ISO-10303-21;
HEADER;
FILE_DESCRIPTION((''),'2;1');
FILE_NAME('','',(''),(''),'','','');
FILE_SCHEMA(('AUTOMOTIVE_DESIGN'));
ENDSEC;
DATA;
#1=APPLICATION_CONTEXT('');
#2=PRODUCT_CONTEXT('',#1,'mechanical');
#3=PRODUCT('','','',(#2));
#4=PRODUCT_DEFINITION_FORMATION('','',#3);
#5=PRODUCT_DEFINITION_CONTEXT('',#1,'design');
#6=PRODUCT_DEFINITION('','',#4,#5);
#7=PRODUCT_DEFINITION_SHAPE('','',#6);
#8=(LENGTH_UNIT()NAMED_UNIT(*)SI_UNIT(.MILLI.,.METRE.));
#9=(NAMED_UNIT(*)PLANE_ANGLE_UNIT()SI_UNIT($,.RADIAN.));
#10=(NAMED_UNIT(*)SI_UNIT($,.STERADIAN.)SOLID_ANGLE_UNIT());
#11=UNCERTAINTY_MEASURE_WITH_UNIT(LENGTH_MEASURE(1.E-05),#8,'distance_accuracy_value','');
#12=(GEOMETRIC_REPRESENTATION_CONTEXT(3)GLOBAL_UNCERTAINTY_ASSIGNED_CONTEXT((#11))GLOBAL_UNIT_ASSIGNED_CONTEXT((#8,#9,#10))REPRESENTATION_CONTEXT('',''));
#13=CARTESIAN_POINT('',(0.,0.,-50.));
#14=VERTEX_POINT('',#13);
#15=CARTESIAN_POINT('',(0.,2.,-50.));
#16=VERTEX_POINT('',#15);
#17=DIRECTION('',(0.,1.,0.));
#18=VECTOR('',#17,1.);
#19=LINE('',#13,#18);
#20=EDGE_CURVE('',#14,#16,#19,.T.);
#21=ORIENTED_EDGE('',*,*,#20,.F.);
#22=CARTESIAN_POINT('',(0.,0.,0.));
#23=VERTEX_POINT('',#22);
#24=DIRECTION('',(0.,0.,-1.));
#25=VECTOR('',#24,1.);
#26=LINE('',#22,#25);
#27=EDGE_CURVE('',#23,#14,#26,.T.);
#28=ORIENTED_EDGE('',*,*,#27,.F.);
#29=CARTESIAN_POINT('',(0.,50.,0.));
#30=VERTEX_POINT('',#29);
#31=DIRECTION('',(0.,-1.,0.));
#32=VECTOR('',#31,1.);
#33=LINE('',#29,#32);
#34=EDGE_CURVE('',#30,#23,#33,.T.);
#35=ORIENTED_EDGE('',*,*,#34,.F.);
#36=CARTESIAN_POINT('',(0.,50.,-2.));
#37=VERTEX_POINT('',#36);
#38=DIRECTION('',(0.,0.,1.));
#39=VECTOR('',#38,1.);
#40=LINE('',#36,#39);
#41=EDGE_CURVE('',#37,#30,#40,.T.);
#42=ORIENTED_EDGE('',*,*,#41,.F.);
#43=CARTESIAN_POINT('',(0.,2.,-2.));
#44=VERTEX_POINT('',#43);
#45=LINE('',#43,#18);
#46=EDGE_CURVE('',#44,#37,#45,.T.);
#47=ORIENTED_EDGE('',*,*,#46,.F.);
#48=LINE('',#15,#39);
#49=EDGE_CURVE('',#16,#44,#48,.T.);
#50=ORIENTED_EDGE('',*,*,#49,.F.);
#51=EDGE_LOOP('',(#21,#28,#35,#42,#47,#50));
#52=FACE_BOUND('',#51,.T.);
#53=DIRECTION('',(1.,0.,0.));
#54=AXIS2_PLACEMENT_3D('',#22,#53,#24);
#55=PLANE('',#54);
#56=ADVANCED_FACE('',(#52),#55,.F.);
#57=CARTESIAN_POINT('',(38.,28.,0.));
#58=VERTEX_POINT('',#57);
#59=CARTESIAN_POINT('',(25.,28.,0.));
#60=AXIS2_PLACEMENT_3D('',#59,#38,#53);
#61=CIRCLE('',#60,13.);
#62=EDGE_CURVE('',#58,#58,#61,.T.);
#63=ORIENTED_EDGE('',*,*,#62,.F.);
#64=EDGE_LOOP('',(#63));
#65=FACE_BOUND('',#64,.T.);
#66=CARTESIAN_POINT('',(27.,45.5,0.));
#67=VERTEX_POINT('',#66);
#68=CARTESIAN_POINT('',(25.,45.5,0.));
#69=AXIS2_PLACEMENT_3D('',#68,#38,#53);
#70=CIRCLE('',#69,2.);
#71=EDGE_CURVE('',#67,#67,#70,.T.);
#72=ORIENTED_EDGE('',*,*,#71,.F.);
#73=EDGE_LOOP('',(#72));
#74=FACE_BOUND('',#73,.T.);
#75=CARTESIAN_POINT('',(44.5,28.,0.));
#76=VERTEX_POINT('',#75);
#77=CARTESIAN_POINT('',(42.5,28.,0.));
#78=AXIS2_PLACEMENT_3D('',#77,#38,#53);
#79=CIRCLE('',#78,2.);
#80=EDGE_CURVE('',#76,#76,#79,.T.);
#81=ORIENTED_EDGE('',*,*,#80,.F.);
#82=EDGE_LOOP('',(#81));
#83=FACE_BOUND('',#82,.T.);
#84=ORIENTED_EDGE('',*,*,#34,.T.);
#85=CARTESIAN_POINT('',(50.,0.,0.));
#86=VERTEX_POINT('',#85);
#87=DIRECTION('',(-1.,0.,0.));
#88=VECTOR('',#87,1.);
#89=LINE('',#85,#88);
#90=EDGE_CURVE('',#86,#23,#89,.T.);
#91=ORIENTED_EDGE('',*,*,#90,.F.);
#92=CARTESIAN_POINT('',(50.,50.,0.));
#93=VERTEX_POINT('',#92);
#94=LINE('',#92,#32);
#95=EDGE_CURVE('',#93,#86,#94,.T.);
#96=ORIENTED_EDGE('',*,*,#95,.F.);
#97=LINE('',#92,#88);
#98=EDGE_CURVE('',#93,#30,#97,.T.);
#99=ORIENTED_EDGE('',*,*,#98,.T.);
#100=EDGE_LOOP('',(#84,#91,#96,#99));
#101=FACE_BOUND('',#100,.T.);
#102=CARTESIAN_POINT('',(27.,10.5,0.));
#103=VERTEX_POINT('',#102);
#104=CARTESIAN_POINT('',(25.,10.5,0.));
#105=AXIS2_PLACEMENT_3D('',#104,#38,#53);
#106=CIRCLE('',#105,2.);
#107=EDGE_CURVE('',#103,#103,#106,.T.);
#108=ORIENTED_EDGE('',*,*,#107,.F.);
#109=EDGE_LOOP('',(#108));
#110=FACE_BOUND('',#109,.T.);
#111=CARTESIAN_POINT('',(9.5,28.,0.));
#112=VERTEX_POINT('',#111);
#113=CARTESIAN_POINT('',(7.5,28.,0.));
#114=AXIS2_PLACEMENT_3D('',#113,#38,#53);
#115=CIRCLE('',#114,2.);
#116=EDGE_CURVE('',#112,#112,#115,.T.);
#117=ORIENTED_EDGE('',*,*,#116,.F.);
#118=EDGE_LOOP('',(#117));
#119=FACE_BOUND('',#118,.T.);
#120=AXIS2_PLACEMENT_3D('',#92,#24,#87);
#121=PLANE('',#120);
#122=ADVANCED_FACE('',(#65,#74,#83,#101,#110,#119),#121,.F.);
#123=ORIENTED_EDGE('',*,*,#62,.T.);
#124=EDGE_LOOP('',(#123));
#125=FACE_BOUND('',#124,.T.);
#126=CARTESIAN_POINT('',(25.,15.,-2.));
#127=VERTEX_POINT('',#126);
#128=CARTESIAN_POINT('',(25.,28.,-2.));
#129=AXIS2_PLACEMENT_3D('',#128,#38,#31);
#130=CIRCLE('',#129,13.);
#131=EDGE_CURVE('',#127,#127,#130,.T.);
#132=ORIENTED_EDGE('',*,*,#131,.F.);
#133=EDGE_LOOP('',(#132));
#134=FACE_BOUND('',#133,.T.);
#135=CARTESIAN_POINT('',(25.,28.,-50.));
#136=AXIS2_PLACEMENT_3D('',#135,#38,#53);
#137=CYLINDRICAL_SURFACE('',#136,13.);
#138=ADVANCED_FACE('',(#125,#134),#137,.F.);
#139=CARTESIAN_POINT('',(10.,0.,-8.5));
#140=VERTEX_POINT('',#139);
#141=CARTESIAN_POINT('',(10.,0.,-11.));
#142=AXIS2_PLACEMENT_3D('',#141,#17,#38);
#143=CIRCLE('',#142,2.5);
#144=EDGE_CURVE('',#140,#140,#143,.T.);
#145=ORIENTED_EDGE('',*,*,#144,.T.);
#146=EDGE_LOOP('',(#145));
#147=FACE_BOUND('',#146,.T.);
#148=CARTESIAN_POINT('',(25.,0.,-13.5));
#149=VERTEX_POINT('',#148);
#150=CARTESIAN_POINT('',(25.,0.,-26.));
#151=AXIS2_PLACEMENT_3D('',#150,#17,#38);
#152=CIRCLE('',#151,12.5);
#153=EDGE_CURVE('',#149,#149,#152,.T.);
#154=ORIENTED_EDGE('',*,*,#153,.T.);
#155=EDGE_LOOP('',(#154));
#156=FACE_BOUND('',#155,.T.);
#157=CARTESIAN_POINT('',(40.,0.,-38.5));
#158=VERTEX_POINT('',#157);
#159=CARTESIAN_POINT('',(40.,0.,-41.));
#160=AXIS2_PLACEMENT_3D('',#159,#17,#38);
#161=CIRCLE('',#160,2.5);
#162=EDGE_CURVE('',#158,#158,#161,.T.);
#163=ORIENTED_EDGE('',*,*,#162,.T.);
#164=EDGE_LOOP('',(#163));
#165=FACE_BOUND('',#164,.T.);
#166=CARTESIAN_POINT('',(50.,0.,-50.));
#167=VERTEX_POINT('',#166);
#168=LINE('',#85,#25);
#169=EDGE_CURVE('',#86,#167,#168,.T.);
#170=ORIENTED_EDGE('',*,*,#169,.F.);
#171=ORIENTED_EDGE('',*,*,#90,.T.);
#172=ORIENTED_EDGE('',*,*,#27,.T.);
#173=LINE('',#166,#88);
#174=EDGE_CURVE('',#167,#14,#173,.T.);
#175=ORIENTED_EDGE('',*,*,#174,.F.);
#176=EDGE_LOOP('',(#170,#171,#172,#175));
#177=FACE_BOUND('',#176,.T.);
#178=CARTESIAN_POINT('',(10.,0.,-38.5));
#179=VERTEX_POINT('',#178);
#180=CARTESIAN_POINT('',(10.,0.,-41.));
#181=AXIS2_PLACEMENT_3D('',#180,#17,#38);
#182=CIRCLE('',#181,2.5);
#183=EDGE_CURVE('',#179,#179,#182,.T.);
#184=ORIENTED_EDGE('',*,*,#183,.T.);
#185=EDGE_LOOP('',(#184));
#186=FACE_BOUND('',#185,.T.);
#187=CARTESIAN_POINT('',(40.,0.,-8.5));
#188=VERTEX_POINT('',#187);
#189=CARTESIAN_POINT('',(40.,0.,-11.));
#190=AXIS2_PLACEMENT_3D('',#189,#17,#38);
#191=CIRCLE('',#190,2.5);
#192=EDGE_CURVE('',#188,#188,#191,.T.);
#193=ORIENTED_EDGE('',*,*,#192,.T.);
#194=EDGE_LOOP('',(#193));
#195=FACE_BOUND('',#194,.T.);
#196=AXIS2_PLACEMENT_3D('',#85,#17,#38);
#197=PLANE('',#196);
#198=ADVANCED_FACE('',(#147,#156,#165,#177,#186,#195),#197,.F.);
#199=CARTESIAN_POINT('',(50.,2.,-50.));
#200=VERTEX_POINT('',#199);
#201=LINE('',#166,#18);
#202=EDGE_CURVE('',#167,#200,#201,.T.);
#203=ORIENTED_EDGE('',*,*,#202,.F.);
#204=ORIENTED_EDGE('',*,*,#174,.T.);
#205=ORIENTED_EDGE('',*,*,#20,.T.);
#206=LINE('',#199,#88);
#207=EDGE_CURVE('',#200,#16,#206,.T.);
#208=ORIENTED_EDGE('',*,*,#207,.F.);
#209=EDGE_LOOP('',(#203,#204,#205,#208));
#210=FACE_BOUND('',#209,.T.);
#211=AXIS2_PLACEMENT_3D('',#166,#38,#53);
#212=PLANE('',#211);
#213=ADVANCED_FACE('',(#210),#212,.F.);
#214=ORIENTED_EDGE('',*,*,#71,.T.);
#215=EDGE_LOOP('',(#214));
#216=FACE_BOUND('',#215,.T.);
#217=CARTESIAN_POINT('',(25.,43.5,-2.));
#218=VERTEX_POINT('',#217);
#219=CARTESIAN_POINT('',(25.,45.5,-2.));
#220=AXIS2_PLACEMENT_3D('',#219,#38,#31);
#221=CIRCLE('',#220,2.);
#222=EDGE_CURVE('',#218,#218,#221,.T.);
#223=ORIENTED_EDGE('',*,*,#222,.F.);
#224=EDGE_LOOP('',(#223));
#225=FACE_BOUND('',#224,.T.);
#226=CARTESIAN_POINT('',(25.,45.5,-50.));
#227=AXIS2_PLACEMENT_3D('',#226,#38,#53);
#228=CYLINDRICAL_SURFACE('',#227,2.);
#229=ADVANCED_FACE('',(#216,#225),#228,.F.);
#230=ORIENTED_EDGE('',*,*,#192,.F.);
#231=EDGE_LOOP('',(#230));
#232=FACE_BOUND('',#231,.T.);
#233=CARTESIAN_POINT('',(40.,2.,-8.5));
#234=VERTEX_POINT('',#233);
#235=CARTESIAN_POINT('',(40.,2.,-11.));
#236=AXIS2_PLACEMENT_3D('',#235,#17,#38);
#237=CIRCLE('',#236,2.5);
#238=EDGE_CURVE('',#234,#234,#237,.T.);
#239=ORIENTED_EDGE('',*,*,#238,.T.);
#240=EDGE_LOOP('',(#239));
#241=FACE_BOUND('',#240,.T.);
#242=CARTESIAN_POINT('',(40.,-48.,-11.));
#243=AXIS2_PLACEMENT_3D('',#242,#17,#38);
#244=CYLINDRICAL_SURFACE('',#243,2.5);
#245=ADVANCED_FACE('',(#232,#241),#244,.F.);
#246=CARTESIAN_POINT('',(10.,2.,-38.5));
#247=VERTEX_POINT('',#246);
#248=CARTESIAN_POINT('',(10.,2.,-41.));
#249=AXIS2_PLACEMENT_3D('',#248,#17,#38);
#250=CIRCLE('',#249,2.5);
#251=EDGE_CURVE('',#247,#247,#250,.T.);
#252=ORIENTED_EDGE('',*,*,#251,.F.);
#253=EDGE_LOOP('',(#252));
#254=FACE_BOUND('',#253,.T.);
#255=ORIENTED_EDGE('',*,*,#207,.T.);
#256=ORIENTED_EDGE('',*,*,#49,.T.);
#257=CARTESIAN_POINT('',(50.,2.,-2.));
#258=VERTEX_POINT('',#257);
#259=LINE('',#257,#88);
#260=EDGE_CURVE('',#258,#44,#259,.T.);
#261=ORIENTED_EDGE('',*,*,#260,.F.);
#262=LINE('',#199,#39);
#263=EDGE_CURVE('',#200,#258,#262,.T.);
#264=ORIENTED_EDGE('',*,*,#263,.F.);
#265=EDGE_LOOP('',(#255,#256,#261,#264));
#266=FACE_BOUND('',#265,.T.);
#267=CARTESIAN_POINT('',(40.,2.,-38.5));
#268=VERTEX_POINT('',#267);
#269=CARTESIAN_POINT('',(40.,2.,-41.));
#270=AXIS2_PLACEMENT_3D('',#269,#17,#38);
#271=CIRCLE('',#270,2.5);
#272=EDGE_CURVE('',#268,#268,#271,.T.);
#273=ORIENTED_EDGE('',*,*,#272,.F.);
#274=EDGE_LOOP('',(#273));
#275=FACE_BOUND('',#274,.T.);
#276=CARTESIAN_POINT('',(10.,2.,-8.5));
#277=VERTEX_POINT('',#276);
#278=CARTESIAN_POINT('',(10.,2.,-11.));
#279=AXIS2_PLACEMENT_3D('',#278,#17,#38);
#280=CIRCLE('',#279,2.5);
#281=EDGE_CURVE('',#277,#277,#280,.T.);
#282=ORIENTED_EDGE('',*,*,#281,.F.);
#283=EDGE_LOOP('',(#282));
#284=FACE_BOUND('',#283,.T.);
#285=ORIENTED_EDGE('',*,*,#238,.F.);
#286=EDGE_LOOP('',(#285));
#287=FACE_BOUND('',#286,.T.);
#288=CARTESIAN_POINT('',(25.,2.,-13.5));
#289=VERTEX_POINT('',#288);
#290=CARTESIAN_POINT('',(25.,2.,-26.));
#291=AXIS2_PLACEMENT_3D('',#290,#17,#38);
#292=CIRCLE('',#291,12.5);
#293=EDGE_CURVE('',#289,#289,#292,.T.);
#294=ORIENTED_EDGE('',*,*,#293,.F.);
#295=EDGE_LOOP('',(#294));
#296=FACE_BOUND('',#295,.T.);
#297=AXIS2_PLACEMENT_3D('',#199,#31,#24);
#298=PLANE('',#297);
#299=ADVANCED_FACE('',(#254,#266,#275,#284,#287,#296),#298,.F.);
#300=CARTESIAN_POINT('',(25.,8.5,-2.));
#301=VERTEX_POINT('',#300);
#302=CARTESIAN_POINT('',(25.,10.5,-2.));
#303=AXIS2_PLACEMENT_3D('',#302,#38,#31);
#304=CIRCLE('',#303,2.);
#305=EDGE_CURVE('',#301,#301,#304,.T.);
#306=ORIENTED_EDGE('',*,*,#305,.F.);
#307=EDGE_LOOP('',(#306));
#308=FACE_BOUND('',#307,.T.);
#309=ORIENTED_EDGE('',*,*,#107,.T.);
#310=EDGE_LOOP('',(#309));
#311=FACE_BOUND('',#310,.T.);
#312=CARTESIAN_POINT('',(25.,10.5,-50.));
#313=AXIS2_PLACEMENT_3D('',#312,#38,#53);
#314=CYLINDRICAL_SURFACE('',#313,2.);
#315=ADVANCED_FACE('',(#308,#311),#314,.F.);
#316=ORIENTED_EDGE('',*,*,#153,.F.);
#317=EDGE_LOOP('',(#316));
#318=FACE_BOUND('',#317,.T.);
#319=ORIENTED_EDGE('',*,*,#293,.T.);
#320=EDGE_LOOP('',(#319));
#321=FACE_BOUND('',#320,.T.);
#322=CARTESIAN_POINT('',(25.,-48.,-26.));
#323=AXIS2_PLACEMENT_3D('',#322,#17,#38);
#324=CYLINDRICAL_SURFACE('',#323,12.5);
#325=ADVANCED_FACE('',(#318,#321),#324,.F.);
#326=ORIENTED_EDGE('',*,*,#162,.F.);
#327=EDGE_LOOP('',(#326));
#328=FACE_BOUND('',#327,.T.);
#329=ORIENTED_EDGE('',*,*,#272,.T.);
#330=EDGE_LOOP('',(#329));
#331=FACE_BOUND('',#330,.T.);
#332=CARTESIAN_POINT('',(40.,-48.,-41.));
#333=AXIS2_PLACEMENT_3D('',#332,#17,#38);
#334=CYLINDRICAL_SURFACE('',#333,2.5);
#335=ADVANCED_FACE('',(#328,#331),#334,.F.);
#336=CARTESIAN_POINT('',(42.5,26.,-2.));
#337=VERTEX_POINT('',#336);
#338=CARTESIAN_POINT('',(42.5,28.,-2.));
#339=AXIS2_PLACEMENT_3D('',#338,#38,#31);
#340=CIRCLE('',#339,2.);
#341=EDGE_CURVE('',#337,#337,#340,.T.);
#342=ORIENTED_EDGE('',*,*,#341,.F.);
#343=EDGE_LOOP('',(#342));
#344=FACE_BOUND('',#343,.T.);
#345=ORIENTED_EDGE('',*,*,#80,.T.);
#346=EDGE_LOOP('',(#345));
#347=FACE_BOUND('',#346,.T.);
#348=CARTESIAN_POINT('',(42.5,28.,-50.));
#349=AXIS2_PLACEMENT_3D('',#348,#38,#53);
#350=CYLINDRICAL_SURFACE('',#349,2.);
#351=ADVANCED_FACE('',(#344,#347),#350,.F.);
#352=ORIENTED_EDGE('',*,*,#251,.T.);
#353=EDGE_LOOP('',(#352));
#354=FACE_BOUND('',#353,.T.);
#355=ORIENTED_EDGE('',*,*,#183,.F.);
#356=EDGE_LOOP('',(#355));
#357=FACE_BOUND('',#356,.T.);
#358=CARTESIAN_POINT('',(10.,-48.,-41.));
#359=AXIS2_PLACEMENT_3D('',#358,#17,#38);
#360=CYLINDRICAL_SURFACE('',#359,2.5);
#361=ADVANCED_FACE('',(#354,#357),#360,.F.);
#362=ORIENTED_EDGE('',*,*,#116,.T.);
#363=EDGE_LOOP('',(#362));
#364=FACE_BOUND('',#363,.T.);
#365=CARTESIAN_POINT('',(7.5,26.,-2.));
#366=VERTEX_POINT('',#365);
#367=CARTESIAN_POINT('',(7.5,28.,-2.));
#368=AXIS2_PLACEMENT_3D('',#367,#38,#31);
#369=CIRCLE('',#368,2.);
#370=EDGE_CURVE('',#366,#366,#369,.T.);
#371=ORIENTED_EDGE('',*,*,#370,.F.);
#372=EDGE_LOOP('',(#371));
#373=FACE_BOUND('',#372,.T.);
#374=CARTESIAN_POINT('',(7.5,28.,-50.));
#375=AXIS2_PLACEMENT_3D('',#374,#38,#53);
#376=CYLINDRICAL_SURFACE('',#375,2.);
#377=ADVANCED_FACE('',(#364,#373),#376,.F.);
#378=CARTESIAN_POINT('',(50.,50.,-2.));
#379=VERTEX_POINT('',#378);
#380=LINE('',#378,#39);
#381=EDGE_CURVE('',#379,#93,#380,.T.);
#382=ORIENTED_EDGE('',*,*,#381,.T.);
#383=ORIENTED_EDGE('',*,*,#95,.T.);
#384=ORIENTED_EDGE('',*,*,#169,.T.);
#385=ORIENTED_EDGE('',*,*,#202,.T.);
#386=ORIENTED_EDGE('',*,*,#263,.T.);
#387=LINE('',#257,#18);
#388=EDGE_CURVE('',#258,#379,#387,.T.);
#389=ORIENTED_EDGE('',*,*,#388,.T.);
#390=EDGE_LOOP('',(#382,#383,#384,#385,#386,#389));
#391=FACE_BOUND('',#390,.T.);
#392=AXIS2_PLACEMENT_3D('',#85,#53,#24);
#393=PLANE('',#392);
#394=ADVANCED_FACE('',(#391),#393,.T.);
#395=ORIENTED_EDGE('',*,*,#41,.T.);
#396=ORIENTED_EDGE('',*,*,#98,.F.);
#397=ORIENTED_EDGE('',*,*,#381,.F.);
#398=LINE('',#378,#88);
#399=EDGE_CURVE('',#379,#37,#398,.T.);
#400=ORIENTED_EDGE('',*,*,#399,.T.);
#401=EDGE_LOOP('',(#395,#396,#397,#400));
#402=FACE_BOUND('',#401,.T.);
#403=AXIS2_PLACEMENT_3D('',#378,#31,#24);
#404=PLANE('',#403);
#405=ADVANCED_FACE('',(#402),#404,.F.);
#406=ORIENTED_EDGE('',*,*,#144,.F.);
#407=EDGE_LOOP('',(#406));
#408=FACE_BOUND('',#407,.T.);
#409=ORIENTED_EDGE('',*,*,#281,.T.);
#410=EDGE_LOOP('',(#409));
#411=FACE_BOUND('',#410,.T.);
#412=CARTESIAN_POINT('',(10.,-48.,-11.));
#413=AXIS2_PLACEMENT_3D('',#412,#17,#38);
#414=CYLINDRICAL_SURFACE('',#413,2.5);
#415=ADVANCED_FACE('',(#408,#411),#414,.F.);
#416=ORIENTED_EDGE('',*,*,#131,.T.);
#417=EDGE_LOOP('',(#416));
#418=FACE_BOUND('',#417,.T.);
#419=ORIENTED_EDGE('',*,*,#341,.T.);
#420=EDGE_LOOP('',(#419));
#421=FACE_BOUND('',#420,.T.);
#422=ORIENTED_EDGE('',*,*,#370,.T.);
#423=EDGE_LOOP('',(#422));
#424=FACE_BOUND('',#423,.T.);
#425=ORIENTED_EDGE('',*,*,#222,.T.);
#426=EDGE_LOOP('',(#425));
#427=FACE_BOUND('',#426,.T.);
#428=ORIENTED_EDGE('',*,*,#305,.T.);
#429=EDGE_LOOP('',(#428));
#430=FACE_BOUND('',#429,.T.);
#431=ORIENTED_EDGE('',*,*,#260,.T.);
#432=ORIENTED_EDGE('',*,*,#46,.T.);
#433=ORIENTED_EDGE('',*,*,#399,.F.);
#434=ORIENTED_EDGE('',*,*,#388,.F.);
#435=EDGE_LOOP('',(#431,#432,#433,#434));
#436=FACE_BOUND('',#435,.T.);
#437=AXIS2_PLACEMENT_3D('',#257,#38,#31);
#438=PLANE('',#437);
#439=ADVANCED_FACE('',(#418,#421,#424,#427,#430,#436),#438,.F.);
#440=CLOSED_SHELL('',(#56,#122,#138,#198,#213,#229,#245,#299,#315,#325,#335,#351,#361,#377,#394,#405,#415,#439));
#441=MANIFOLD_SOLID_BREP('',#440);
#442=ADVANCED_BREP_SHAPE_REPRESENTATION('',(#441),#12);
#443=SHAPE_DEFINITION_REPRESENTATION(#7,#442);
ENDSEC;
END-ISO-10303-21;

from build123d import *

# Parameters (mm, degrees)
EXTRUDE_1_DEPTH     = 50
SKETCH_2_R          = 13
SKETCH_2_R_2        = 2
CUT_EXTRUDE_1_DEPTH = 50
SKETCH_3_R          = 12.5
SKETCH_3_R_2        = 2.5
CUT_EXTRUDE_2_DEPTH = 50


with BuildPart() as part:
    # 草图1 → 凸台-拉伸1 (new body)
    with BuildSketch(Plane(origin=(0, 0, 0), x_dir=(0, 0, -1), z_dir=(1, 0, 0))):
        Polygon((0, 50), (0, 0), (50, 0), (50, 2), (2, 2), (2, 50), align=None)
    extrude(amount=EXTRUDE_1_DEPTH)

    # 草图2 → 切除-拉伸1 (cut)
    with BuildSketch(Plane.XY):
        with Locations((25, 28)):
            Circle(SKETCH_2_R)
        with Locations((7.5, 28)):
            Circle(SKETCH_2_R_2)
        with Locations((25, 45.5)):
            Circle(SKETCH_2_R_2)
        with Locations((25, 10.5)):
            Circle(SKETCH_2_R_2)
        with Locations((42.5, 28)):
            Circle(SKETCH_2_R_2)
    extrude(amount=-CUT_EXTRUDE_1_DEPTH, mode=Mode.SUBTRACT)

    # 草图3 → 切除-拉伸2 (cut)
    with BuildSketch(Plane(origin=(0, 2, 0), x_dir=(1, 0, 0), z_dir=(0, 1, 0))):
        with Locations(Location((25, 26, 0), (0, 0, 270))):
            Circle(SKETCH_3_R)
        with Locations(Location((40, 41, 0), (0, 0, 270))):
            Circle(SKETCH_3_R_2)
        with Locations(Location((40, 11, 0), (0, 0, 270))):
            Circle(SKETCH_3_R_2)
        with Locations(Location((10, 41, 0), (0, 0, 270))):
            Circle(SKETCH_3_R_2)
        with Locations(Location((10, 11, 0), (0, 0, 270))):
            Circle(SKETCH_3_R_2)
    extrude(amount=-CUT_EXTRUDE_2_DEPTH, mode=Mode.SUBTRACT)


solid = part.part
